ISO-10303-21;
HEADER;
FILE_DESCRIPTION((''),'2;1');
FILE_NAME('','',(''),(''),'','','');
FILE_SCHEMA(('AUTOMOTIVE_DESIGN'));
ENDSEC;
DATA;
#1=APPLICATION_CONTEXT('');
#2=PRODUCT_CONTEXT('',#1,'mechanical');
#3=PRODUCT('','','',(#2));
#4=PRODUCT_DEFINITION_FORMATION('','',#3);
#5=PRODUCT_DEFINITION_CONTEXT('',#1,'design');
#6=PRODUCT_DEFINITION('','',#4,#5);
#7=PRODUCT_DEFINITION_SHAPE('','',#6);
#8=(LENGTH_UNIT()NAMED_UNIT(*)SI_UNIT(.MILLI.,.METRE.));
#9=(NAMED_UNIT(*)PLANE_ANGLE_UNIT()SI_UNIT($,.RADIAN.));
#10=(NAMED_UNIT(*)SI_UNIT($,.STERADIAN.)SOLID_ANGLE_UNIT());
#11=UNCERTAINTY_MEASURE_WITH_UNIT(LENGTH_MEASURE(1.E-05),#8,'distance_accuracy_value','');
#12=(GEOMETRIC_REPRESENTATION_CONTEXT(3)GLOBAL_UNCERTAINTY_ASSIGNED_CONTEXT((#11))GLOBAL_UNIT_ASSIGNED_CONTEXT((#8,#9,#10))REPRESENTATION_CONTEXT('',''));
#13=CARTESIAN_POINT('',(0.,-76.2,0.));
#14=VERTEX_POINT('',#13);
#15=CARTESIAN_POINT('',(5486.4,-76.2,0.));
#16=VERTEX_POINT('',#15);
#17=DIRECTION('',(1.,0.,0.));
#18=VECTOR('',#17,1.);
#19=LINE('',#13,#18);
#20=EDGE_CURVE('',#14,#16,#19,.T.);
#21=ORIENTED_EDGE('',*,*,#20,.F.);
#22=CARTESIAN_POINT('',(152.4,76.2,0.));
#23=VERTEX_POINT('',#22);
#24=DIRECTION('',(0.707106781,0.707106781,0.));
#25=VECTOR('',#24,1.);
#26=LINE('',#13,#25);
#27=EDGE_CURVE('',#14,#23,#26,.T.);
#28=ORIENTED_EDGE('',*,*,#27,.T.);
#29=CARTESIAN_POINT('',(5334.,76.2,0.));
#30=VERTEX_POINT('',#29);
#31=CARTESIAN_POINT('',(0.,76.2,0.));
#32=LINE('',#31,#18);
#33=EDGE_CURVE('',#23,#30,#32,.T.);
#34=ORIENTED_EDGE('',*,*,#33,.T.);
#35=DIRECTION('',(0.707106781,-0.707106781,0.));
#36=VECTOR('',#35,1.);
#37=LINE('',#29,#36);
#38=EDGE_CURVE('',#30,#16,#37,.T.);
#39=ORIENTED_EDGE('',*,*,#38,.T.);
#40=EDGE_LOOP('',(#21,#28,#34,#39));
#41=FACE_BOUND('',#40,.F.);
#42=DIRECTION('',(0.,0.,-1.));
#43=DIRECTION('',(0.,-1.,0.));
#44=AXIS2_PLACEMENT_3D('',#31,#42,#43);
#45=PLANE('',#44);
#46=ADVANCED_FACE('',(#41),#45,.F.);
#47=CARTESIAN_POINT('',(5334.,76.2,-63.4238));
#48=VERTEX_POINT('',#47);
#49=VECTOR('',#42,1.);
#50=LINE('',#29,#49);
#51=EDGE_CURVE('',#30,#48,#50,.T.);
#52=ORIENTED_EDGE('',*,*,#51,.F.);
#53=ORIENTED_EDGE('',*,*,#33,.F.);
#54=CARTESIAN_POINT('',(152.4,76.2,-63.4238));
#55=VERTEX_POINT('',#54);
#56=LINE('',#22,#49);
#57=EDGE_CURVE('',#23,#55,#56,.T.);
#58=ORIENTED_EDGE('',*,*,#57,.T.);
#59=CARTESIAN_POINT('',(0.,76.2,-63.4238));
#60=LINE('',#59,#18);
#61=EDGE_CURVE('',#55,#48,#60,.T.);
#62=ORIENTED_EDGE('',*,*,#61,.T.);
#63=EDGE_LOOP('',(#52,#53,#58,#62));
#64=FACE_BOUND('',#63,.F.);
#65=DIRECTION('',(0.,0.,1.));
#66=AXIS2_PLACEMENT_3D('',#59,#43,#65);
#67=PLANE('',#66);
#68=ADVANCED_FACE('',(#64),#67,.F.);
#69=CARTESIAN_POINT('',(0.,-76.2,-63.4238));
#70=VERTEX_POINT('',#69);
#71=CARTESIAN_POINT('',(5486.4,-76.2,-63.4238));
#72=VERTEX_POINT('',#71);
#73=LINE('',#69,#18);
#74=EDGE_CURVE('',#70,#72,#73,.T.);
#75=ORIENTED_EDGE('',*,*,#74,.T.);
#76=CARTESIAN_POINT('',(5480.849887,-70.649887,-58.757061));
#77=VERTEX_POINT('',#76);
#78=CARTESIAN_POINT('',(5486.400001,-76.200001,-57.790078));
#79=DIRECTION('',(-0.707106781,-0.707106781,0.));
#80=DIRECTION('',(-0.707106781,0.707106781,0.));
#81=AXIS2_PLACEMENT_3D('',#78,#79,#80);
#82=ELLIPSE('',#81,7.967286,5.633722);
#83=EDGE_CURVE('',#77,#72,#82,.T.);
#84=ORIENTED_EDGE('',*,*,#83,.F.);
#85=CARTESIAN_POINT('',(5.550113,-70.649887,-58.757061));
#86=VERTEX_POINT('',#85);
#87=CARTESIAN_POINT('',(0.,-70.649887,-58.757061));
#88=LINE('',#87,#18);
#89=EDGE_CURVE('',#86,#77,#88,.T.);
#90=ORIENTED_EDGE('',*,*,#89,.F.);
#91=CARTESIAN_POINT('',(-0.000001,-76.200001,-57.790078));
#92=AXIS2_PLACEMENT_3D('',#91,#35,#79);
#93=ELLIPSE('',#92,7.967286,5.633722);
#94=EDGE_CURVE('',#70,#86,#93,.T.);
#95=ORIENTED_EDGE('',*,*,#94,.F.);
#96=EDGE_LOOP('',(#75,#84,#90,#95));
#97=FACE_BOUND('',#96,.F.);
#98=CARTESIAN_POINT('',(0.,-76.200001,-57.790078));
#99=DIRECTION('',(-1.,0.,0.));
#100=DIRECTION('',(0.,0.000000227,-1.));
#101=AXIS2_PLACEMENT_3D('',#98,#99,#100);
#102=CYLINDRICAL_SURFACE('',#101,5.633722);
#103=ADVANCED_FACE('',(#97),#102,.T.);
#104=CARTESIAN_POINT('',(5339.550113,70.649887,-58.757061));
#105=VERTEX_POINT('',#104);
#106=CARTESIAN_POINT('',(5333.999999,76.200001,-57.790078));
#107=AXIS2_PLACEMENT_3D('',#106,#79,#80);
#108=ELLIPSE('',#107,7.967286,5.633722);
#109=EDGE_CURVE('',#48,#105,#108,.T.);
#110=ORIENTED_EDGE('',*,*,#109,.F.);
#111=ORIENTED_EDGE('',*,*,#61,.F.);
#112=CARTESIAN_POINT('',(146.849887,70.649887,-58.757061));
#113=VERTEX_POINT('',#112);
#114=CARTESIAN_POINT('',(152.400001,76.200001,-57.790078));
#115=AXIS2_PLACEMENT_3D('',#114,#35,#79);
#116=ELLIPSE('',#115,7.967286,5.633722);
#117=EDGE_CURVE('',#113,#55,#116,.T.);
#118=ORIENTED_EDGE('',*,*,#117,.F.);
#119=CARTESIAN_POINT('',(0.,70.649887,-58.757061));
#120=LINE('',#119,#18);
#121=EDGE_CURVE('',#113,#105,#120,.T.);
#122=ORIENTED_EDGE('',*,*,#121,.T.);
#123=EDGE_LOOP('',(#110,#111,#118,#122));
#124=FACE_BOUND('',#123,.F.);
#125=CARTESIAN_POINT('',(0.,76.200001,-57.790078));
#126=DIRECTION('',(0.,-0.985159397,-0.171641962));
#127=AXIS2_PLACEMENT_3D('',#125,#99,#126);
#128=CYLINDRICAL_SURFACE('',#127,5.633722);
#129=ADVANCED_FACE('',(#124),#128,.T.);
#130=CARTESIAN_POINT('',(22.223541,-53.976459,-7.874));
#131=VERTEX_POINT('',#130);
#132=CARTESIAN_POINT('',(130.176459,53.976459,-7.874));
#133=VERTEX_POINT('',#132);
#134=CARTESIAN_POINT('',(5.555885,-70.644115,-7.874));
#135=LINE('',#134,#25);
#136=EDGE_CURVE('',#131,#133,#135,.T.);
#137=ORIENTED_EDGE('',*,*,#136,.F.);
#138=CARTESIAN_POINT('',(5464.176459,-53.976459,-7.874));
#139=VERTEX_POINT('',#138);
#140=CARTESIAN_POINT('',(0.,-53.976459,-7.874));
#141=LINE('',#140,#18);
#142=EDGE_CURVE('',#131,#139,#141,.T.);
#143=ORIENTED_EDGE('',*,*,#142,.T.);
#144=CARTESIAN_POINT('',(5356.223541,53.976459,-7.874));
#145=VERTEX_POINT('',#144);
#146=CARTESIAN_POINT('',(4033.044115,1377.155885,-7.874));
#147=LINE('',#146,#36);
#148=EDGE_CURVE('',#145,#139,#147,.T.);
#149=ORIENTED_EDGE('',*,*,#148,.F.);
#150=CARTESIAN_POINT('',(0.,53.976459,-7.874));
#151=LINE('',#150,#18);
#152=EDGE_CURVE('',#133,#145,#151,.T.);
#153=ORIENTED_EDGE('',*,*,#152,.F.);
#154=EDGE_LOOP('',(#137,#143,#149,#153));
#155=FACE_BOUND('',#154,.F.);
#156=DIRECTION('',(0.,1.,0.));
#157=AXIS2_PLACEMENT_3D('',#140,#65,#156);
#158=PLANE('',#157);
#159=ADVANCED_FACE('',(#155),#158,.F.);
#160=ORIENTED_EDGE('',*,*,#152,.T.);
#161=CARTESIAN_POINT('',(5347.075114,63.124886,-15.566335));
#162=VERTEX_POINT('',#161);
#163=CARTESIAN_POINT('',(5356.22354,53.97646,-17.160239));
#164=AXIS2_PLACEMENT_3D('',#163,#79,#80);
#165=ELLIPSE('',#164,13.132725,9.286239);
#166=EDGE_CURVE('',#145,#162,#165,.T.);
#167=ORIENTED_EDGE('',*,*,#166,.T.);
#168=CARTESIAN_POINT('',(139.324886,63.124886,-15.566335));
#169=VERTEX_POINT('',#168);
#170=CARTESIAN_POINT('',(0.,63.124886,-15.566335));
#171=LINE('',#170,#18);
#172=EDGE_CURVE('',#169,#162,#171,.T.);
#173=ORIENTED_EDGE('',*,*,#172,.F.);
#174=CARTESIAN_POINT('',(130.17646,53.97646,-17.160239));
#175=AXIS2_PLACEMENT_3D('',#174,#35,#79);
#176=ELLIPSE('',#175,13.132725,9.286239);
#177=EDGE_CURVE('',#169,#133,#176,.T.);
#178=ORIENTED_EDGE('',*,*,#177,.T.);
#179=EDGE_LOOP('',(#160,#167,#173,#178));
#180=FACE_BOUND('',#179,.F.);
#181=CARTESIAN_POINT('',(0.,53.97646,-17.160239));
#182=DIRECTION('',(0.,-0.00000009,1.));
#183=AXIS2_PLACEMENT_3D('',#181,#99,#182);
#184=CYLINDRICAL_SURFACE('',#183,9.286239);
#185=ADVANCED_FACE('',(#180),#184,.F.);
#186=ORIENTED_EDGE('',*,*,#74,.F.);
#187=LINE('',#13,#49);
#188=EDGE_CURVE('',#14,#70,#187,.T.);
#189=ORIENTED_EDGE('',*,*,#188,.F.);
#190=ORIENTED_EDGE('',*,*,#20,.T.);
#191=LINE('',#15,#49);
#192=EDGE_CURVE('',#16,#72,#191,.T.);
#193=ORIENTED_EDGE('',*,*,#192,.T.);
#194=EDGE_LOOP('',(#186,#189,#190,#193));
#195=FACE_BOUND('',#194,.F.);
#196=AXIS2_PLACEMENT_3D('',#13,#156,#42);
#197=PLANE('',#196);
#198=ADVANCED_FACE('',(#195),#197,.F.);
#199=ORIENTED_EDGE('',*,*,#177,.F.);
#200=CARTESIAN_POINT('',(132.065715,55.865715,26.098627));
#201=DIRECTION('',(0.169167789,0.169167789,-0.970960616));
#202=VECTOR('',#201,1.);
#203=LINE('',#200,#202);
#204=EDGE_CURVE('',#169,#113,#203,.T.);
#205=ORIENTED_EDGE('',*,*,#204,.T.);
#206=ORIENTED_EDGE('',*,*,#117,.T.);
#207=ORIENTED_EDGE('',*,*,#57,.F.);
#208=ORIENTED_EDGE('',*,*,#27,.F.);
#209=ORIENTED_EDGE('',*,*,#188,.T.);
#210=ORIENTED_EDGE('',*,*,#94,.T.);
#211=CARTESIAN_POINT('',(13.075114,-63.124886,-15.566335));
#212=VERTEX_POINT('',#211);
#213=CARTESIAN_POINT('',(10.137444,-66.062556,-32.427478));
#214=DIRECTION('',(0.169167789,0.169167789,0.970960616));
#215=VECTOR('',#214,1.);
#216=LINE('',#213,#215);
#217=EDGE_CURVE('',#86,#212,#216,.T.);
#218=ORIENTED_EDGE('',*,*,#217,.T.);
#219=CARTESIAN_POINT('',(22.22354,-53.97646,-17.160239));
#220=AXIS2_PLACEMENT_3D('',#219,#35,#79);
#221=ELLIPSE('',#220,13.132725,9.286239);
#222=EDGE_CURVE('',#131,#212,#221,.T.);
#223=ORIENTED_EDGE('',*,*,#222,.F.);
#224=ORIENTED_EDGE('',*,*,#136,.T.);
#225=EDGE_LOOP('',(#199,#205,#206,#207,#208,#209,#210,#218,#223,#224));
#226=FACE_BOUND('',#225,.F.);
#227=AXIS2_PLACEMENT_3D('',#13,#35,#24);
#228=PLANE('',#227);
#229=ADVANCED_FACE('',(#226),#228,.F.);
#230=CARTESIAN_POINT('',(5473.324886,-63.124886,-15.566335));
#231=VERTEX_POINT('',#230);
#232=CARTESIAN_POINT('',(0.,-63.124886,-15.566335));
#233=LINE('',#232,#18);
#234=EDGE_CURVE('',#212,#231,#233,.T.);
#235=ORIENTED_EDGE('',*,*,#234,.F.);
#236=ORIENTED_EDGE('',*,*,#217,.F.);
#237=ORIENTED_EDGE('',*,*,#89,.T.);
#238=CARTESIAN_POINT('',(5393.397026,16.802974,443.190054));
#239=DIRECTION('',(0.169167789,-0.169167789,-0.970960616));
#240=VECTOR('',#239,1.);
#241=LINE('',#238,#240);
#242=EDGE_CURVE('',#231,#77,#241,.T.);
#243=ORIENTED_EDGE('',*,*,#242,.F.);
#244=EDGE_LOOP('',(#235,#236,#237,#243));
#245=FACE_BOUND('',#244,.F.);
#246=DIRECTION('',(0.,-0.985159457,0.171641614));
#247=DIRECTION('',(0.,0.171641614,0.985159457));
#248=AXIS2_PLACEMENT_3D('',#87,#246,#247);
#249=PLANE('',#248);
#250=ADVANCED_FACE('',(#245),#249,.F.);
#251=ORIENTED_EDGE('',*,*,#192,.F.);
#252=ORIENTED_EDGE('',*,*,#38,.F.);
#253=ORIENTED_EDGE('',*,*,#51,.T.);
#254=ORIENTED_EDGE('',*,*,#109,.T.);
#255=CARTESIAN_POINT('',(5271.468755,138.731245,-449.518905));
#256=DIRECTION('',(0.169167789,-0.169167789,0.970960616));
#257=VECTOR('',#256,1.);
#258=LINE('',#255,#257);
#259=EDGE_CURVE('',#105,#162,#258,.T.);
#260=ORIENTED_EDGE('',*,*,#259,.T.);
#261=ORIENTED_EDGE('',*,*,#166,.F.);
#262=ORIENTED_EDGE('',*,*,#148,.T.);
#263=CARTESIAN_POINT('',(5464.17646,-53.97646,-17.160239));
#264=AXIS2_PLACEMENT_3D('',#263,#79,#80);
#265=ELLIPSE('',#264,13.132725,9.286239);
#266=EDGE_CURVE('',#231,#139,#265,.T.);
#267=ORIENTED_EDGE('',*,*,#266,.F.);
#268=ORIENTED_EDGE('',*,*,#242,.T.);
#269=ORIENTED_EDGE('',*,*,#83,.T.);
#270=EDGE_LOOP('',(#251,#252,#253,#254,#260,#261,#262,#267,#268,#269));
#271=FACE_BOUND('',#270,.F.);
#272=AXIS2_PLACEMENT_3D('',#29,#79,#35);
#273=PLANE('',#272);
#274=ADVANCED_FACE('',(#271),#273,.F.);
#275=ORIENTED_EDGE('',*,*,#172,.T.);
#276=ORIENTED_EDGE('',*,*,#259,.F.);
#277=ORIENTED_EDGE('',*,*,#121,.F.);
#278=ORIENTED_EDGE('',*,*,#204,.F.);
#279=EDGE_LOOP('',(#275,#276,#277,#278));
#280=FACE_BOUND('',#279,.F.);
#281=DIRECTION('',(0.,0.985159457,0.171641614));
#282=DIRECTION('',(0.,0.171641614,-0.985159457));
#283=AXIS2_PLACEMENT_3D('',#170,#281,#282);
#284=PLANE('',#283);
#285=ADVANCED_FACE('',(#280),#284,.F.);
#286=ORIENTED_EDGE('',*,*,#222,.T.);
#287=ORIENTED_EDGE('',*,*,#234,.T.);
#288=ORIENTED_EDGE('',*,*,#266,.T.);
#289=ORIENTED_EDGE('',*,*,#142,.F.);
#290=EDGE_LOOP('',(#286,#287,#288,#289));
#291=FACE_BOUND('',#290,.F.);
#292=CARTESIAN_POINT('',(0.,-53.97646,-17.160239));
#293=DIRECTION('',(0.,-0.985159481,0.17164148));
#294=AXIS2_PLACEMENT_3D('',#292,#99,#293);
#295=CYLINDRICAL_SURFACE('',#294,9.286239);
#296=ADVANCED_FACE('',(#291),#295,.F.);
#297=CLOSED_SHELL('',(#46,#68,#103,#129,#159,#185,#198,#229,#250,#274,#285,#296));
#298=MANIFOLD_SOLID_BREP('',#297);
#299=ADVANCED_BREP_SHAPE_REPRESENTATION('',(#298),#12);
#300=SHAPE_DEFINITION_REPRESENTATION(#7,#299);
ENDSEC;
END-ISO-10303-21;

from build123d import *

# Parameters (mm, degrees)
F1_DEPTH = 5486.4
F3_DEPTH = 63.4248


with BuildPart() as f1:
    # F0 (on Right) → F1 (new body)
    with BuildSketch(Plane.YZ):
        with BuildLine():
            Line((76.2, 0), (-76.2, 0))
            Line((-76.2, 0), (-76.2, -63.4238))
            ThreePointArc((-76.2, -63.4238), (-72.574321, -62.102069), (-70.649887, -58.757061))
            Line((-70.649887, -58.757061), (-63.124886, -15.566335))
            ThreePointArc((-63.124886, -15.566335), (-59.952782, -10.052651), (-53.976459, -7.874))
            Line((-53.976459, -7.874), (53.976459, -7.874))
            ThreePointArc((53.976459, -7.874), (59.952782, -10.052651), (63.124886, -15.566335))
            Line((63.124886, -15.566335), (70.649887, -58.757061))
            ThreePointArc((70.649887, -58.757061), (72.574321, -62.102069), (76.2, -63.4238))
            Line((76.2, -63.4238), (76.2, 0))
        make_face()
    extrude(amount=F1_DEPTH)

    # F2 (on face) → F3 (cut, through all)
    with BuildSketch(Plane.XY):
        Polygon((0, 76.2), (0, -76.2), (152.4, 76.2), align=None)
        Polygon((5334, 76.2), (5486.4, -76.2), (5486.4, 76.2), align=None)
    extrude(amount=-F3_DEPTH, mode=Mode.SUBTRACT)


solid = f1.part
